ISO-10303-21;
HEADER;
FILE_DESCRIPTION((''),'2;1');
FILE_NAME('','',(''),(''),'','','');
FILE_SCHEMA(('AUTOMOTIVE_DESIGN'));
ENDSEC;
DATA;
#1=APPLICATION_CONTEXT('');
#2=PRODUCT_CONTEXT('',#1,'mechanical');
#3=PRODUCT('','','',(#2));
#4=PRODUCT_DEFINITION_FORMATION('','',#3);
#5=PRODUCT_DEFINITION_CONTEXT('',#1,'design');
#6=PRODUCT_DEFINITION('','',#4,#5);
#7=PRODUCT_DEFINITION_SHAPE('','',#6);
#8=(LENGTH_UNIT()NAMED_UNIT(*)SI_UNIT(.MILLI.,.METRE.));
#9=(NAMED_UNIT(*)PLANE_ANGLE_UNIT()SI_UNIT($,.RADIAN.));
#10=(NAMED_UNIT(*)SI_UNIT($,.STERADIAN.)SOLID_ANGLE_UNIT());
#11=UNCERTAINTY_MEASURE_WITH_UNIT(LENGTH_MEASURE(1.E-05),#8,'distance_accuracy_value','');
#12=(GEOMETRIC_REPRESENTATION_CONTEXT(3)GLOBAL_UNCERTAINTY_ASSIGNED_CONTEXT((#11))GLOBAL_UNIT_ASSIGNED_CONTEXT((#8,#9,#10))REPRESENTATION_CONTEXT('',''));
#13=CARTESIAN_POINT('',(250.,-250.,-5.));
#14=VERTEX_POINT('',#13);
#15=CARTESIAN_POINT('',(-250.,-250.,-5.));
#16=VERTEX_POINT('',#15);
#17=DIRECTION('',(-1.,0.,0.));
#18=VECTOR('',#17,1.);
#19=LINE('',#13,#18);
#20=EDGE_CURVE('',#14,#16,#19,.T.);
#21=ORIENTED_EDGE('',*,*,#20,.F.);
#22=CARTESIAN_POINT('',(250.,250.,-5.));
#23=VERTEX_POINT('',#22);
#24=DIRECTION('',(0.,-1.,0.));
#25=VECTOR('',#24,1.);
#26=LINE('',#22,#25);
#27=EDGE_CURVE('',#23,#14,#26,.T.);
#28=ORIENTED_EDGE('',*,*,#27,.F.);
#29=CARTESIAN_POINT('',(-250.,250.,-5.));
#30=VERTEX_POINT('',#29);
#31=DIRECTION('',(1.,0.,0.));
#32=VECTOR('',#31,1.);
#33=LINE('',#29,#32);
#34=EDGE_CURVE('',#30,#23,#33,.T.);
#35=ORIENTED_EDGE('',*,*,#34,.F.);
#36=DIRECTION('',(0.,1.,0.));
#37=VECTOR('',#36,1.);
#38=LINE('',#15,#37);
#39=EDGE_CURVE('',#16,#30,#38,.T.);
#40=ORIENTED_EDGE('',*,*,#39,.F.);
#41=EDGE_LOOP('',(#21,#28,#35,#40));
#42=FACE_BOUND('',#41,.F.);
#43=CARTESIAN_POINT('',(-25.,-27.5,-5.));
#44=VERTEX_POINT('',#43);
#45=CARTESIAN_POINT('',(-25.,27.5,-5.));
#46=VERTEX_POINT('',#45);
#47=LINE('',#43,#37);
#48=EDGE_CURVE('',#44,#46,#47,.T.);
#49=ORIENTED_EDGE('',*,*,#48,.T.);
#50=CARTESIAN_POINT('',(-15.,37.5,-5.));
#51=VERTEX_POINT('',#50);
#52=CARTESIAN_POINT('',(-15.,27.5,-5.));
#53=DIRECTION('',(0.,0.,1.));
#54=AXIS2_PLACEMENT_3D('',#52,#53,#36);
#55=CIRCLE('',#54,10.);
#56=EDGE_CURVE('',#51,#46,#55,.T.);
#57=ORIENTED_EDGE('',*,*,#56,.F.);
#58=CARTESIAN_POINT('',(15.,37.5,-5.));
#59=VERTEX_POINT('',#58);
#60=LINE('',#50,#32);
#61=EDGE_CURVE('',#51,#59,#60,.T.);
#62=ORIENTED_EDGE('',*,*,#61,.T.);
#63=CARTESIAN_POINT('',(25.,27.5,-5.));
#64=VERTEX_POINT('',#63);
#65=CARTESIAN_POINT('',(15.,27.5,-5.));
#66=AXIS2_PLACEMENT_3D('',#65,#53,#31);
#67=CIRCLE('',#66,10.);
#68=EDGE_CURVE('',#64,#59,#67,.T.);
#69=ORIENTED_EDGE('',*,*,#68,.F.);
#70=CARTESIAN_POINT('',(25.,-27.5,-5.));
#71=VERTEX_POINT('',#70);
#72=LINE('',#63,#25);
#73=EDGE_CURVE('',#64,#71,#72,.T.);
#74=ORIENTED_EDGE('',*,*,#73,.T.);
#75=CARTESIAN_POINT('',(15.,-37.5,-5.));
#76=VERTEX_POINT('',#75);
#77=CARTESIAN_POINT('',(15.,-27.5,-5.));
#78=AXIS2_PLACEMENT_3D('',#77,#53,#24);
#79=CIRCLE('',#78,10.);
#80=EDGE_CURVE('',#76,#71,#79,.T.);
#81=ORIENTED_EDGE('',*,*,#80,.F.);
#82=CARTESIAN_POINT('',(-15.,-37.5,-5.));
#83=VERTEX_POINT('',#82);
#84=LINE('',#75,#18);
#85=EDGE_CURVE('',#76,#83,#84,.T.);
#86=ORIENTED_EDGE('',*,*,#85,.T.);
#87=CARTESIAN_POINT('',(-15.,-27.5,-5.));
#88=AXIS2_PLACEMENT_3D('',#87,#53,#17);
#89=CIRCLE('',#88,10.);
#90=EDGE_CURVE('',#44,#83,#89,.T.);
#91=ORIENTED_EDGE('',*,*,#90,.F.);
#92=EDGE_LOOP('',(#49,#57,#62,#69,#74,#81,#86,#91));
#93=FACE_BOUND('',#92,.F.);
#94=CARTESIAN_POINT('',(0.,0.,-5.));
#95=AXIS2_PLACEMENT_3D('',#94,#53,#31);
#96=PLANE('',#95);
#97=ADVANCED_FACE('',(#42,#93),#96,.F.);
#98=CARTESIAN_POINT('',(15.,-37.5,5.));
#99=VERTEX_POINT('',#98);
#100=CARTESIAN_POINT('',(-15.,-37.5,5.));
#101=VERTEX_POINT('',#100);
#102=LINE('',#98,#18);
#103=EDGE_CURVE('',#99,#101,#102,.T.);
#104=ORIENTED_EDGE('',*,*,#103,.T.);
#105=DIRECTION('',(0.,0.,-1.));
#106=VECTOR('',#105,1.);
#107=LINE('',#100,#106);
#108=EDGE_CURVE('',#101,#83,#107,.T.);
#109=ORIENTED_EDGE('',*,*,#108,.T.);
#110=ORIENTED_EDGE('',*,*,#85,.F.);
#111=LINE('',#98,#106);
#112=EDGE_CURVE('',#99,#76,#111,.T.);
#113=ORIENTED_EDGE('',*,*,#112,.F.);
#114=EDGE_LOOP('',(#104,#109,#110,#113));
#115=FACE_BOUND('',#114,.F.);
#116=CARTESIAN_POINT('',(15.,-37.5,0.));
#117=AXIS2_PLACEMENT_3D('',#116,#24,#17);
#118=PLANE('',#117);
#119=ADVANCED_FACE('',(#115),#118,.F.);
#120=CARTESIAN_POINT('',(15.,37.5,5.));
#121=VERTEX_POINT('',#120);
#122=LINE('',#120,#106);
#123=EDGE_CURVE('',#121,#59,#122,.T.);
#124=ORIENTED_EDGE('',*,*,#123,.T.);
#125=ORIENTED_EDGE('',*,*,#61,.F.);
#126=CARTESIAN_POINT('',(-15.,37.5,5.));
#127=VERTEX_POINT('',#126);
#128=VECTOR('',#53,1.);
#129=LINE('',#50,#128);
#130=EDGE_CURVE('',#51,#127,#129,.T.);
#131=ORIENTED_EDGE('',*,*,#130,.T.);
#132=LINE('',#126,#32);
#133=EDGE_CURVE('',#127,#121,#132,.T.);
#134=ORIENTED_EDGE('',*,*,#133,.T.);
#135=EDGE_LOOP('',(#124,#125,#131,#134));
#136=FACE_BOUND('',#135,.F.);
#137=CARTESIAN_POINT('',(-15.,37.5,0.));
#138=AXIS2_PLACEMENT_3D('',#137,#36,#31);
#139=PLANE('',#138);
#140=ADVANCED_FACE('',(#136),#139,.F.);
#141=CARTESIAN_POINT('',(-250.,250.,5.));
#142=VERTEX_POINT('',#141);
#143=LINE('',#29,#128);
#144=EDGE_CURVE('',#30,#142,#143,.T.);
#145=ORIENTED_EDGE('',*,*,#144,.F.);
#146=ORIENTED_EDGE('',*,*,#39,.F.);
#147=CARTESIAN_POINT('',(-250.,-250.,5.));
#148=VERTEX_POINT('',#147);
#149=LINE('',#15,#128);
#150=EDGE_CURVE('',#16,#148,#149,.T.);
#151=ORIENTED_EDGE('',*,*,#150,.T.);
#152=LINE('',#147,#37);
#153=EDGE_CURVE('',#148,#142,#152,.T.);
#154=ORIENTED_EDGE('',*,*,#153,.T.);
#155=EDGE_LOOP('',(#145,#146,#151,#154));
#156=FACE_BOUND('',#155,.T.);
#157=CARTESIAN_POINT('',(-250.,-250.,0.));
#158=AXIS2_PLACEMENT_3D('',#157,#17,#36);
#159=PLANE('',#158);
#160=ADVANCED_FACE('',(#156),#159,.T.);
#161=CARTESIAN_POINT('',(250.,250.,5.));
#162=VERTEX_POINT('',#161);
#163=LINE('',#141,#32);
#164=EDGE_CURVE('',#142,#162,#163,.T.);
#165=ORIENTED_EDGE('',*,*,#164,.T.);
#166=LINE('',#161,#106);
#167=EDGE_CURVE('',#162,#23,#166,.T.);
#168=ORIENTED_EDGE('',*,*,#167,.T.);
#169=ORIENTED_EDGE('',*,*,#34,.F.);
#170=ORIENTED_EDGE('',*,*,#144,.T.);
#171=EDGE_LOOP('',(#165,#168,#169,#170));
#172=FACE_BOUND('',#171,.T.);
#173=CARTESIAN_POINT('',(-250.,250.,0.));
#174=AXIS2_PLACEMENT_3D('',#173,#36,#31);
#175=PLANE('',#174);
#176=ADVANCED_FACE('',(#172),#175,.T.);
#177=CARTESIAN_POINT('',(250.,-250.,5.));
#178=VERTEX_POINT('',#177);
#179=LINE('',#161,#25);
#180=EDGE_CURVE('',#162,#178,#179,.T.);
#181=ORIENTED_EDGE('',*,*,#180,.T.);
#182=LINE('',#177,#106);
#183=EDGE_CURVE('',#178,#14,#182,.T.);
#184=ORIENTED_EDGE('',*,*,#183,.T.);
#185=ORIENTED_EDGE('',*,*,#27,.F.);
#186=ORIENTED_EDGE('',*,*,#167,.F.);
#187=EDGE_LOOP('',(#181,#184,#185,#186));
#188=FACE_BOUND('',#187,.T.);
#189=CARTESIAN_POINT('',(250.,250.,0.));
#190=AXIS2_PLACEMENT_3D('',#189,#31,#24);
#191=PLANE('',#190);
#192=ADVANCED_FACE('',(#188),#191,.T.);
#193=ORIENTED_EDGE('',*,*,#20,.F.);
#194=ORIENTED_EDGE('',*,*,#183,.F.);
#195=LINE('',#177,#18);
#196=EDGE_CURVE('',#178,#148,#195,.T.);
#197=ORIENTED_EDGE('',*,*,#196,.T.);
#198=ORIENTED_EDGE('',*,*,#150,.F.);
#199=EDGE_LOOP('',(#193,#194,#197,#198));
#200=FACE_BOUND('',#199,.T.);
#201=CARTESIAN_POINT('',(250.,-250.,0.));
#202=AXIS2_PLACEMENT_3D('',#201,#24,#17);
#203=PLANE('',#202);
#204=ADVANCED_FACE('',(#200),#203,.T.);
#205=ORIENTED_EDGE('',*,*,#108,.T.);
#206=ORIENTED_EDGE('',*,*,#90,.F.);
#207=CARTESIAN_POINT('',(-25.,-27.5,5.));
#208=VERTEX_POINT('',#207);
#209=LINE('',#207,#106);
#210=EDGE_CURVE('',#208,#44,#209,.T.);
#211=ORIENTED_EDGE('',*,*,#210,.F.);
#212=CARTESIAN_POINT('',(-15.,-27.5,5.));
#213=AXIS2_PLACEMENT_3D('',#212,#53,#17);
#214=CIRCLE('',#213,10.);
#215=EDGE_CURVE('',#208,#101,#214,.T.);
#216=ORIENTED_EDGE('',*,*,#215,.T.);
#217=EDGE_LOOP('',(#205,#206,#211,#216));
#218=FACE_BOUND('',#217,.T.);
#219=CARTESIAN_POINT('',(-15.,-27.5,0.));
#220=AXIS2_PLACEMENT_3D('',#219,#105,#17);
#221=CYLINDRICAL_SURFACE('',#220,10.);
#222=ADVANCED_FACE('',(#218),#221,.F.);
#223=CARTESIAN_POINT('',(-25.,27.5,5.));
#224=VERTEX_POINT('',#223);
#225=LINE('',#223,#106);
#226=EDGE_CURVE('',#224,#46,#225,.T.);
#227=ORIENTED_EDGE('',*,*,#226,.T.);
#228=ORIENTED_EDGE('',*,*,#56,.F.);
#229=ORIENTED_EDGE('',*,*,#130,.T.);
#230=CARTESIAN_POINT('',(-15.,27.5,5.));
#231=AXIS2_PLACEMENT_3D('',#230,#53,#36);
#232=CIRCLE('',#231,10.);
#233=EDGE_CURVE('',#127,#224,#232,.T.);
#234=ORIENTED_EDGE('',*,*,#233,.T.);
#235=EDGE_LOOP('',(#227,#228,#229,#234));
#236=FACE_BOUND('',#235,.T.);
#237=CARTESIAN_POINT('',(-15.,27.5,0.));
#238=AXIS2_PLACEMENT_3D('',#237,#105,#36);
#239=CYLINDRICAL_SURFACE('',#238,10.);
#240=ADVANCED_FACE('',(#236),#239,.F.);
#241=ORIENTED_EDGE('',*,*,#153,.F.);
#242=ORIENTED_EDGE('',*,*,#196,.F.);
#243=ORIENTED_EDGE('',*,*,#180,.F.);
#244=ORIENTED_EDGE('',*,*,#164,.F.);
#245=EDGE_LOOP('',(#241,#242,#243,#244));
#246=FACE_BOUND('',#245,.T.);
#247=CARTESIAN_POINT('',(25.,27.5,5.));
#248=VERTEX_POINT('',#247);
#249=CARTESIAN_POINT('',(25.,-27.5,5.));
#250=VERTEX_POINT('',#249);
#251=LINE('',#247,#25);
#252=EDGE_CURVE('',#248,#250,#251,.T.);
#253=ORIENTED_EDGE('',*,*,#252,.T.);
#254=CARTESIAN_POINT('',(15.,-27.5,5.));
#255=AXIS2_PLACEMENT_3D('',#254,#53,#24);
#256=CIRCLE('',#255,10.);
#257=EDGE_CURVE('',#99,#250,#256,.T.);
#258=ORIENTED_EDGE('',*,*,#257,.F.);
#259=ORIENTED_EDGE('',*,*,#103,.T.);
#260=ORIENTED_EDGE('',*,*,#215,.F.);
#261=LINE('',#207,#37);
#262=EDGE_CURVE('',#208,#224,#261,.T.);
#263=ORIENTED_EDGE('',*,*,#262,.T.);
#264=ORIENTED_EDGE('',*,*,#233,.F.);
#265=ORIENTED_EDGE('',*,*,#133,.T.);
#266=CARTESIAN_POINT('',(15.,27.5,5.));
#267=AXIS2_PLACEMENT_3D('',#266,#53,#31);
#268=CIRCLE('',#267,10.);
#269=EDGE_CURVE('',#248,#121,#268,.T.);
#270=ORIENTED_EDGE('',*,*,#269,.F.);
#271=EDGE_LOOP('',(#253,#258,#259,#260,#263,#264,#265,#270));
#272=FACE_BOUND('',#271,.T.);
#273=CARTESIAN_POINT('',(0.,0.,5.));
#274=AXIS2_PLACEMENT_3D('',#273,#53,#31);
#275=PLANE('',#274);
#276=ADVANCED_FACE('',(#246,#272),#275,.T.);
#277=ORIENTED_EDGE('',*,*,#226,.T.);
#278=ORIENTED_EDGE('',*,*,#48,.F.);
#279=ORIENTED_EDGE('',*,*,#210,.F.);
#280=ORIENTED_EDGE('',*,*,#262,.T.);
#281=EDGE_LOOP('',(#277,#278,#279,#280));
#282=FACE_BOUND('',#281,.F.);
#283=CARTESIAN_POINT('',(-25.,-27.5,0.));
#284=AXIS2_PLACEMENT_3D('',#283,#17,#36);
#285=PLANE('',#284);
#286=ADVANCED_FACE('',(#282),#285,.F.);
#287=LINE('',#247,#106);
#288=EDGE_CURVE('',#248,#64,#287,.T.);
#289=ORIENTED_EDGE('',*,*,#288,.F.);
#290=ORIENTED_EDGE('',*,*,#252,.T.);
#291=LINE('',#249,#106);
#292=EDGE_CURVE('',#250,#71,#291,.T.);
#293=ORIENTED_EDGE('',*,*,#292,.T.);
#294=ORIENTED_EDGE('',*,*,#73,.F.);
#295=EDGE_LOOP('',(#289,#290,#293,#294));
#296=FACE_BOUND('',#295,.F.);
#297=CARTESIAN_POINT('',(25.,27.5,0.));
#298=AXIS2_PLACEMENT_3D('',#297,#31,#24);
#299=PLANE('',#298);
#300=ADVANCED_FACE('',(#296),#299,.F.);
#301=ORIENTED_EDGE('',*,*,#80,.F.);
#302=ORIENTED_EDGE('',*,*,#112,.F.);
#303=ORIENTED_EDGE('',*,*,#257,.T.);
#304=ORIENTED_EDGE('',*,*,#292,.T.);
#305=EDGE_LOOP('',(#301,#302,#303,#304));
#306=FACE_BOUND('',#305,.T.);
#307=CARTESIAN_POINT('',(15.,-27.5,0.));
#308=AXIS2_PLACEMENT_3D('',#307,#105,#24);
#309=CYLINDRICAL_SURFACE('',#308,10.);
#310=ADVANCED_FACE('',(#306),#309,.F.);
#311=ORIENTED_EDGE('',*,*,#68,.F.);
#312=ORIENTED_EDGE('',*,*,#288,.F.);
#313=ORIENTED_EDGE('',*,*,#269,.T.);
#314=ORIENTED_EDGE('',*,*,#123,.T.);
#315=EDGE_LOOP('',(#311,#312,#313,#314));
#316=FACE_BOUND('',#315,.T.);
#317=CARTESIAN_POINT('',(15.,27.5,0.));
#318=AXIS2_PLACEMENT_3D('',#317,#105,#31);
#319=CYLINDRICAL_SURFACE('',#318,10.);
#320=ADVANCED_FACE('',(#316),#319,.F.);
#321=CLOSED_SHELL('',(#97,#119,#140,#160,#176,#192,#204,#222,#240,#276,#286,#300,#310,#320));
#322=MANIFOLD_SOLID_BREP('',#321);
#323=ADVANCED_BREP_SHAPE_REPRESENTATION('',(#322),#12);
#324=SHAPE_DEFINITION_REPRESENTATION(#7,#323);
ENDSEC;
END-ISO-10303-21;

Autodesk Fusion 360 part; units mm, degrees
sketch "Sketch1" plane through (0, 0, 0) normal (0, 0, 1) x (1, 0, 0)
  line L0 (-250, 250) -> (250, 250)
  line L1 (250, 250) -> (250, -250)
  line L2 (250, -250) -> (-250, -250)
  line L3 (-250, -250) -> (-250, 250)
  line L4 (-15, 37.5) -> (15, 37.5)
  line L5 (25, 27.5) -> (25, -27.5)
  line L6 (15, -37.5) -> (-15, -37.5)
  line L7 (-25, -27.5) -> (-25, 27.5)
  line L8 (0, 250) -> (0, -250) construction
  line L9 (-250, 0) -> (250, 0) construction
  arc A0 (-15, 37.5) -> (-25, 27.5) centre (-15, 27.5) ccw
  arc A1 (25, 27.5) -> (15, 37.5) centre (15, 27.5) ccw
  arc A2 (15, -37.5) -> (25, -27.5) centre (15, -27.5) ccw
  arc A3 (-25, -27.5) -> (-15, -37.5) centre (-15, -27.5) ccw
  line L10 (0, 37.5) -> (0, -37.5) construction
  line L11 (-25, 0) -> (25, 0) construction
  point P0 (-25, 37.5)
  point P1 (25, 37.5)
  point P2 (-25, -37.5)
  dimension "Total_Width" = 500
  dimension "Hole_Width" = 50
  dimension "Hole_Height" = 75
  dimension "Fillet_Radius" = 10
extrude "Extrude1" add sketch "Sketch1" along normal mid plane 10
equation "Thickness = 1 cm"
